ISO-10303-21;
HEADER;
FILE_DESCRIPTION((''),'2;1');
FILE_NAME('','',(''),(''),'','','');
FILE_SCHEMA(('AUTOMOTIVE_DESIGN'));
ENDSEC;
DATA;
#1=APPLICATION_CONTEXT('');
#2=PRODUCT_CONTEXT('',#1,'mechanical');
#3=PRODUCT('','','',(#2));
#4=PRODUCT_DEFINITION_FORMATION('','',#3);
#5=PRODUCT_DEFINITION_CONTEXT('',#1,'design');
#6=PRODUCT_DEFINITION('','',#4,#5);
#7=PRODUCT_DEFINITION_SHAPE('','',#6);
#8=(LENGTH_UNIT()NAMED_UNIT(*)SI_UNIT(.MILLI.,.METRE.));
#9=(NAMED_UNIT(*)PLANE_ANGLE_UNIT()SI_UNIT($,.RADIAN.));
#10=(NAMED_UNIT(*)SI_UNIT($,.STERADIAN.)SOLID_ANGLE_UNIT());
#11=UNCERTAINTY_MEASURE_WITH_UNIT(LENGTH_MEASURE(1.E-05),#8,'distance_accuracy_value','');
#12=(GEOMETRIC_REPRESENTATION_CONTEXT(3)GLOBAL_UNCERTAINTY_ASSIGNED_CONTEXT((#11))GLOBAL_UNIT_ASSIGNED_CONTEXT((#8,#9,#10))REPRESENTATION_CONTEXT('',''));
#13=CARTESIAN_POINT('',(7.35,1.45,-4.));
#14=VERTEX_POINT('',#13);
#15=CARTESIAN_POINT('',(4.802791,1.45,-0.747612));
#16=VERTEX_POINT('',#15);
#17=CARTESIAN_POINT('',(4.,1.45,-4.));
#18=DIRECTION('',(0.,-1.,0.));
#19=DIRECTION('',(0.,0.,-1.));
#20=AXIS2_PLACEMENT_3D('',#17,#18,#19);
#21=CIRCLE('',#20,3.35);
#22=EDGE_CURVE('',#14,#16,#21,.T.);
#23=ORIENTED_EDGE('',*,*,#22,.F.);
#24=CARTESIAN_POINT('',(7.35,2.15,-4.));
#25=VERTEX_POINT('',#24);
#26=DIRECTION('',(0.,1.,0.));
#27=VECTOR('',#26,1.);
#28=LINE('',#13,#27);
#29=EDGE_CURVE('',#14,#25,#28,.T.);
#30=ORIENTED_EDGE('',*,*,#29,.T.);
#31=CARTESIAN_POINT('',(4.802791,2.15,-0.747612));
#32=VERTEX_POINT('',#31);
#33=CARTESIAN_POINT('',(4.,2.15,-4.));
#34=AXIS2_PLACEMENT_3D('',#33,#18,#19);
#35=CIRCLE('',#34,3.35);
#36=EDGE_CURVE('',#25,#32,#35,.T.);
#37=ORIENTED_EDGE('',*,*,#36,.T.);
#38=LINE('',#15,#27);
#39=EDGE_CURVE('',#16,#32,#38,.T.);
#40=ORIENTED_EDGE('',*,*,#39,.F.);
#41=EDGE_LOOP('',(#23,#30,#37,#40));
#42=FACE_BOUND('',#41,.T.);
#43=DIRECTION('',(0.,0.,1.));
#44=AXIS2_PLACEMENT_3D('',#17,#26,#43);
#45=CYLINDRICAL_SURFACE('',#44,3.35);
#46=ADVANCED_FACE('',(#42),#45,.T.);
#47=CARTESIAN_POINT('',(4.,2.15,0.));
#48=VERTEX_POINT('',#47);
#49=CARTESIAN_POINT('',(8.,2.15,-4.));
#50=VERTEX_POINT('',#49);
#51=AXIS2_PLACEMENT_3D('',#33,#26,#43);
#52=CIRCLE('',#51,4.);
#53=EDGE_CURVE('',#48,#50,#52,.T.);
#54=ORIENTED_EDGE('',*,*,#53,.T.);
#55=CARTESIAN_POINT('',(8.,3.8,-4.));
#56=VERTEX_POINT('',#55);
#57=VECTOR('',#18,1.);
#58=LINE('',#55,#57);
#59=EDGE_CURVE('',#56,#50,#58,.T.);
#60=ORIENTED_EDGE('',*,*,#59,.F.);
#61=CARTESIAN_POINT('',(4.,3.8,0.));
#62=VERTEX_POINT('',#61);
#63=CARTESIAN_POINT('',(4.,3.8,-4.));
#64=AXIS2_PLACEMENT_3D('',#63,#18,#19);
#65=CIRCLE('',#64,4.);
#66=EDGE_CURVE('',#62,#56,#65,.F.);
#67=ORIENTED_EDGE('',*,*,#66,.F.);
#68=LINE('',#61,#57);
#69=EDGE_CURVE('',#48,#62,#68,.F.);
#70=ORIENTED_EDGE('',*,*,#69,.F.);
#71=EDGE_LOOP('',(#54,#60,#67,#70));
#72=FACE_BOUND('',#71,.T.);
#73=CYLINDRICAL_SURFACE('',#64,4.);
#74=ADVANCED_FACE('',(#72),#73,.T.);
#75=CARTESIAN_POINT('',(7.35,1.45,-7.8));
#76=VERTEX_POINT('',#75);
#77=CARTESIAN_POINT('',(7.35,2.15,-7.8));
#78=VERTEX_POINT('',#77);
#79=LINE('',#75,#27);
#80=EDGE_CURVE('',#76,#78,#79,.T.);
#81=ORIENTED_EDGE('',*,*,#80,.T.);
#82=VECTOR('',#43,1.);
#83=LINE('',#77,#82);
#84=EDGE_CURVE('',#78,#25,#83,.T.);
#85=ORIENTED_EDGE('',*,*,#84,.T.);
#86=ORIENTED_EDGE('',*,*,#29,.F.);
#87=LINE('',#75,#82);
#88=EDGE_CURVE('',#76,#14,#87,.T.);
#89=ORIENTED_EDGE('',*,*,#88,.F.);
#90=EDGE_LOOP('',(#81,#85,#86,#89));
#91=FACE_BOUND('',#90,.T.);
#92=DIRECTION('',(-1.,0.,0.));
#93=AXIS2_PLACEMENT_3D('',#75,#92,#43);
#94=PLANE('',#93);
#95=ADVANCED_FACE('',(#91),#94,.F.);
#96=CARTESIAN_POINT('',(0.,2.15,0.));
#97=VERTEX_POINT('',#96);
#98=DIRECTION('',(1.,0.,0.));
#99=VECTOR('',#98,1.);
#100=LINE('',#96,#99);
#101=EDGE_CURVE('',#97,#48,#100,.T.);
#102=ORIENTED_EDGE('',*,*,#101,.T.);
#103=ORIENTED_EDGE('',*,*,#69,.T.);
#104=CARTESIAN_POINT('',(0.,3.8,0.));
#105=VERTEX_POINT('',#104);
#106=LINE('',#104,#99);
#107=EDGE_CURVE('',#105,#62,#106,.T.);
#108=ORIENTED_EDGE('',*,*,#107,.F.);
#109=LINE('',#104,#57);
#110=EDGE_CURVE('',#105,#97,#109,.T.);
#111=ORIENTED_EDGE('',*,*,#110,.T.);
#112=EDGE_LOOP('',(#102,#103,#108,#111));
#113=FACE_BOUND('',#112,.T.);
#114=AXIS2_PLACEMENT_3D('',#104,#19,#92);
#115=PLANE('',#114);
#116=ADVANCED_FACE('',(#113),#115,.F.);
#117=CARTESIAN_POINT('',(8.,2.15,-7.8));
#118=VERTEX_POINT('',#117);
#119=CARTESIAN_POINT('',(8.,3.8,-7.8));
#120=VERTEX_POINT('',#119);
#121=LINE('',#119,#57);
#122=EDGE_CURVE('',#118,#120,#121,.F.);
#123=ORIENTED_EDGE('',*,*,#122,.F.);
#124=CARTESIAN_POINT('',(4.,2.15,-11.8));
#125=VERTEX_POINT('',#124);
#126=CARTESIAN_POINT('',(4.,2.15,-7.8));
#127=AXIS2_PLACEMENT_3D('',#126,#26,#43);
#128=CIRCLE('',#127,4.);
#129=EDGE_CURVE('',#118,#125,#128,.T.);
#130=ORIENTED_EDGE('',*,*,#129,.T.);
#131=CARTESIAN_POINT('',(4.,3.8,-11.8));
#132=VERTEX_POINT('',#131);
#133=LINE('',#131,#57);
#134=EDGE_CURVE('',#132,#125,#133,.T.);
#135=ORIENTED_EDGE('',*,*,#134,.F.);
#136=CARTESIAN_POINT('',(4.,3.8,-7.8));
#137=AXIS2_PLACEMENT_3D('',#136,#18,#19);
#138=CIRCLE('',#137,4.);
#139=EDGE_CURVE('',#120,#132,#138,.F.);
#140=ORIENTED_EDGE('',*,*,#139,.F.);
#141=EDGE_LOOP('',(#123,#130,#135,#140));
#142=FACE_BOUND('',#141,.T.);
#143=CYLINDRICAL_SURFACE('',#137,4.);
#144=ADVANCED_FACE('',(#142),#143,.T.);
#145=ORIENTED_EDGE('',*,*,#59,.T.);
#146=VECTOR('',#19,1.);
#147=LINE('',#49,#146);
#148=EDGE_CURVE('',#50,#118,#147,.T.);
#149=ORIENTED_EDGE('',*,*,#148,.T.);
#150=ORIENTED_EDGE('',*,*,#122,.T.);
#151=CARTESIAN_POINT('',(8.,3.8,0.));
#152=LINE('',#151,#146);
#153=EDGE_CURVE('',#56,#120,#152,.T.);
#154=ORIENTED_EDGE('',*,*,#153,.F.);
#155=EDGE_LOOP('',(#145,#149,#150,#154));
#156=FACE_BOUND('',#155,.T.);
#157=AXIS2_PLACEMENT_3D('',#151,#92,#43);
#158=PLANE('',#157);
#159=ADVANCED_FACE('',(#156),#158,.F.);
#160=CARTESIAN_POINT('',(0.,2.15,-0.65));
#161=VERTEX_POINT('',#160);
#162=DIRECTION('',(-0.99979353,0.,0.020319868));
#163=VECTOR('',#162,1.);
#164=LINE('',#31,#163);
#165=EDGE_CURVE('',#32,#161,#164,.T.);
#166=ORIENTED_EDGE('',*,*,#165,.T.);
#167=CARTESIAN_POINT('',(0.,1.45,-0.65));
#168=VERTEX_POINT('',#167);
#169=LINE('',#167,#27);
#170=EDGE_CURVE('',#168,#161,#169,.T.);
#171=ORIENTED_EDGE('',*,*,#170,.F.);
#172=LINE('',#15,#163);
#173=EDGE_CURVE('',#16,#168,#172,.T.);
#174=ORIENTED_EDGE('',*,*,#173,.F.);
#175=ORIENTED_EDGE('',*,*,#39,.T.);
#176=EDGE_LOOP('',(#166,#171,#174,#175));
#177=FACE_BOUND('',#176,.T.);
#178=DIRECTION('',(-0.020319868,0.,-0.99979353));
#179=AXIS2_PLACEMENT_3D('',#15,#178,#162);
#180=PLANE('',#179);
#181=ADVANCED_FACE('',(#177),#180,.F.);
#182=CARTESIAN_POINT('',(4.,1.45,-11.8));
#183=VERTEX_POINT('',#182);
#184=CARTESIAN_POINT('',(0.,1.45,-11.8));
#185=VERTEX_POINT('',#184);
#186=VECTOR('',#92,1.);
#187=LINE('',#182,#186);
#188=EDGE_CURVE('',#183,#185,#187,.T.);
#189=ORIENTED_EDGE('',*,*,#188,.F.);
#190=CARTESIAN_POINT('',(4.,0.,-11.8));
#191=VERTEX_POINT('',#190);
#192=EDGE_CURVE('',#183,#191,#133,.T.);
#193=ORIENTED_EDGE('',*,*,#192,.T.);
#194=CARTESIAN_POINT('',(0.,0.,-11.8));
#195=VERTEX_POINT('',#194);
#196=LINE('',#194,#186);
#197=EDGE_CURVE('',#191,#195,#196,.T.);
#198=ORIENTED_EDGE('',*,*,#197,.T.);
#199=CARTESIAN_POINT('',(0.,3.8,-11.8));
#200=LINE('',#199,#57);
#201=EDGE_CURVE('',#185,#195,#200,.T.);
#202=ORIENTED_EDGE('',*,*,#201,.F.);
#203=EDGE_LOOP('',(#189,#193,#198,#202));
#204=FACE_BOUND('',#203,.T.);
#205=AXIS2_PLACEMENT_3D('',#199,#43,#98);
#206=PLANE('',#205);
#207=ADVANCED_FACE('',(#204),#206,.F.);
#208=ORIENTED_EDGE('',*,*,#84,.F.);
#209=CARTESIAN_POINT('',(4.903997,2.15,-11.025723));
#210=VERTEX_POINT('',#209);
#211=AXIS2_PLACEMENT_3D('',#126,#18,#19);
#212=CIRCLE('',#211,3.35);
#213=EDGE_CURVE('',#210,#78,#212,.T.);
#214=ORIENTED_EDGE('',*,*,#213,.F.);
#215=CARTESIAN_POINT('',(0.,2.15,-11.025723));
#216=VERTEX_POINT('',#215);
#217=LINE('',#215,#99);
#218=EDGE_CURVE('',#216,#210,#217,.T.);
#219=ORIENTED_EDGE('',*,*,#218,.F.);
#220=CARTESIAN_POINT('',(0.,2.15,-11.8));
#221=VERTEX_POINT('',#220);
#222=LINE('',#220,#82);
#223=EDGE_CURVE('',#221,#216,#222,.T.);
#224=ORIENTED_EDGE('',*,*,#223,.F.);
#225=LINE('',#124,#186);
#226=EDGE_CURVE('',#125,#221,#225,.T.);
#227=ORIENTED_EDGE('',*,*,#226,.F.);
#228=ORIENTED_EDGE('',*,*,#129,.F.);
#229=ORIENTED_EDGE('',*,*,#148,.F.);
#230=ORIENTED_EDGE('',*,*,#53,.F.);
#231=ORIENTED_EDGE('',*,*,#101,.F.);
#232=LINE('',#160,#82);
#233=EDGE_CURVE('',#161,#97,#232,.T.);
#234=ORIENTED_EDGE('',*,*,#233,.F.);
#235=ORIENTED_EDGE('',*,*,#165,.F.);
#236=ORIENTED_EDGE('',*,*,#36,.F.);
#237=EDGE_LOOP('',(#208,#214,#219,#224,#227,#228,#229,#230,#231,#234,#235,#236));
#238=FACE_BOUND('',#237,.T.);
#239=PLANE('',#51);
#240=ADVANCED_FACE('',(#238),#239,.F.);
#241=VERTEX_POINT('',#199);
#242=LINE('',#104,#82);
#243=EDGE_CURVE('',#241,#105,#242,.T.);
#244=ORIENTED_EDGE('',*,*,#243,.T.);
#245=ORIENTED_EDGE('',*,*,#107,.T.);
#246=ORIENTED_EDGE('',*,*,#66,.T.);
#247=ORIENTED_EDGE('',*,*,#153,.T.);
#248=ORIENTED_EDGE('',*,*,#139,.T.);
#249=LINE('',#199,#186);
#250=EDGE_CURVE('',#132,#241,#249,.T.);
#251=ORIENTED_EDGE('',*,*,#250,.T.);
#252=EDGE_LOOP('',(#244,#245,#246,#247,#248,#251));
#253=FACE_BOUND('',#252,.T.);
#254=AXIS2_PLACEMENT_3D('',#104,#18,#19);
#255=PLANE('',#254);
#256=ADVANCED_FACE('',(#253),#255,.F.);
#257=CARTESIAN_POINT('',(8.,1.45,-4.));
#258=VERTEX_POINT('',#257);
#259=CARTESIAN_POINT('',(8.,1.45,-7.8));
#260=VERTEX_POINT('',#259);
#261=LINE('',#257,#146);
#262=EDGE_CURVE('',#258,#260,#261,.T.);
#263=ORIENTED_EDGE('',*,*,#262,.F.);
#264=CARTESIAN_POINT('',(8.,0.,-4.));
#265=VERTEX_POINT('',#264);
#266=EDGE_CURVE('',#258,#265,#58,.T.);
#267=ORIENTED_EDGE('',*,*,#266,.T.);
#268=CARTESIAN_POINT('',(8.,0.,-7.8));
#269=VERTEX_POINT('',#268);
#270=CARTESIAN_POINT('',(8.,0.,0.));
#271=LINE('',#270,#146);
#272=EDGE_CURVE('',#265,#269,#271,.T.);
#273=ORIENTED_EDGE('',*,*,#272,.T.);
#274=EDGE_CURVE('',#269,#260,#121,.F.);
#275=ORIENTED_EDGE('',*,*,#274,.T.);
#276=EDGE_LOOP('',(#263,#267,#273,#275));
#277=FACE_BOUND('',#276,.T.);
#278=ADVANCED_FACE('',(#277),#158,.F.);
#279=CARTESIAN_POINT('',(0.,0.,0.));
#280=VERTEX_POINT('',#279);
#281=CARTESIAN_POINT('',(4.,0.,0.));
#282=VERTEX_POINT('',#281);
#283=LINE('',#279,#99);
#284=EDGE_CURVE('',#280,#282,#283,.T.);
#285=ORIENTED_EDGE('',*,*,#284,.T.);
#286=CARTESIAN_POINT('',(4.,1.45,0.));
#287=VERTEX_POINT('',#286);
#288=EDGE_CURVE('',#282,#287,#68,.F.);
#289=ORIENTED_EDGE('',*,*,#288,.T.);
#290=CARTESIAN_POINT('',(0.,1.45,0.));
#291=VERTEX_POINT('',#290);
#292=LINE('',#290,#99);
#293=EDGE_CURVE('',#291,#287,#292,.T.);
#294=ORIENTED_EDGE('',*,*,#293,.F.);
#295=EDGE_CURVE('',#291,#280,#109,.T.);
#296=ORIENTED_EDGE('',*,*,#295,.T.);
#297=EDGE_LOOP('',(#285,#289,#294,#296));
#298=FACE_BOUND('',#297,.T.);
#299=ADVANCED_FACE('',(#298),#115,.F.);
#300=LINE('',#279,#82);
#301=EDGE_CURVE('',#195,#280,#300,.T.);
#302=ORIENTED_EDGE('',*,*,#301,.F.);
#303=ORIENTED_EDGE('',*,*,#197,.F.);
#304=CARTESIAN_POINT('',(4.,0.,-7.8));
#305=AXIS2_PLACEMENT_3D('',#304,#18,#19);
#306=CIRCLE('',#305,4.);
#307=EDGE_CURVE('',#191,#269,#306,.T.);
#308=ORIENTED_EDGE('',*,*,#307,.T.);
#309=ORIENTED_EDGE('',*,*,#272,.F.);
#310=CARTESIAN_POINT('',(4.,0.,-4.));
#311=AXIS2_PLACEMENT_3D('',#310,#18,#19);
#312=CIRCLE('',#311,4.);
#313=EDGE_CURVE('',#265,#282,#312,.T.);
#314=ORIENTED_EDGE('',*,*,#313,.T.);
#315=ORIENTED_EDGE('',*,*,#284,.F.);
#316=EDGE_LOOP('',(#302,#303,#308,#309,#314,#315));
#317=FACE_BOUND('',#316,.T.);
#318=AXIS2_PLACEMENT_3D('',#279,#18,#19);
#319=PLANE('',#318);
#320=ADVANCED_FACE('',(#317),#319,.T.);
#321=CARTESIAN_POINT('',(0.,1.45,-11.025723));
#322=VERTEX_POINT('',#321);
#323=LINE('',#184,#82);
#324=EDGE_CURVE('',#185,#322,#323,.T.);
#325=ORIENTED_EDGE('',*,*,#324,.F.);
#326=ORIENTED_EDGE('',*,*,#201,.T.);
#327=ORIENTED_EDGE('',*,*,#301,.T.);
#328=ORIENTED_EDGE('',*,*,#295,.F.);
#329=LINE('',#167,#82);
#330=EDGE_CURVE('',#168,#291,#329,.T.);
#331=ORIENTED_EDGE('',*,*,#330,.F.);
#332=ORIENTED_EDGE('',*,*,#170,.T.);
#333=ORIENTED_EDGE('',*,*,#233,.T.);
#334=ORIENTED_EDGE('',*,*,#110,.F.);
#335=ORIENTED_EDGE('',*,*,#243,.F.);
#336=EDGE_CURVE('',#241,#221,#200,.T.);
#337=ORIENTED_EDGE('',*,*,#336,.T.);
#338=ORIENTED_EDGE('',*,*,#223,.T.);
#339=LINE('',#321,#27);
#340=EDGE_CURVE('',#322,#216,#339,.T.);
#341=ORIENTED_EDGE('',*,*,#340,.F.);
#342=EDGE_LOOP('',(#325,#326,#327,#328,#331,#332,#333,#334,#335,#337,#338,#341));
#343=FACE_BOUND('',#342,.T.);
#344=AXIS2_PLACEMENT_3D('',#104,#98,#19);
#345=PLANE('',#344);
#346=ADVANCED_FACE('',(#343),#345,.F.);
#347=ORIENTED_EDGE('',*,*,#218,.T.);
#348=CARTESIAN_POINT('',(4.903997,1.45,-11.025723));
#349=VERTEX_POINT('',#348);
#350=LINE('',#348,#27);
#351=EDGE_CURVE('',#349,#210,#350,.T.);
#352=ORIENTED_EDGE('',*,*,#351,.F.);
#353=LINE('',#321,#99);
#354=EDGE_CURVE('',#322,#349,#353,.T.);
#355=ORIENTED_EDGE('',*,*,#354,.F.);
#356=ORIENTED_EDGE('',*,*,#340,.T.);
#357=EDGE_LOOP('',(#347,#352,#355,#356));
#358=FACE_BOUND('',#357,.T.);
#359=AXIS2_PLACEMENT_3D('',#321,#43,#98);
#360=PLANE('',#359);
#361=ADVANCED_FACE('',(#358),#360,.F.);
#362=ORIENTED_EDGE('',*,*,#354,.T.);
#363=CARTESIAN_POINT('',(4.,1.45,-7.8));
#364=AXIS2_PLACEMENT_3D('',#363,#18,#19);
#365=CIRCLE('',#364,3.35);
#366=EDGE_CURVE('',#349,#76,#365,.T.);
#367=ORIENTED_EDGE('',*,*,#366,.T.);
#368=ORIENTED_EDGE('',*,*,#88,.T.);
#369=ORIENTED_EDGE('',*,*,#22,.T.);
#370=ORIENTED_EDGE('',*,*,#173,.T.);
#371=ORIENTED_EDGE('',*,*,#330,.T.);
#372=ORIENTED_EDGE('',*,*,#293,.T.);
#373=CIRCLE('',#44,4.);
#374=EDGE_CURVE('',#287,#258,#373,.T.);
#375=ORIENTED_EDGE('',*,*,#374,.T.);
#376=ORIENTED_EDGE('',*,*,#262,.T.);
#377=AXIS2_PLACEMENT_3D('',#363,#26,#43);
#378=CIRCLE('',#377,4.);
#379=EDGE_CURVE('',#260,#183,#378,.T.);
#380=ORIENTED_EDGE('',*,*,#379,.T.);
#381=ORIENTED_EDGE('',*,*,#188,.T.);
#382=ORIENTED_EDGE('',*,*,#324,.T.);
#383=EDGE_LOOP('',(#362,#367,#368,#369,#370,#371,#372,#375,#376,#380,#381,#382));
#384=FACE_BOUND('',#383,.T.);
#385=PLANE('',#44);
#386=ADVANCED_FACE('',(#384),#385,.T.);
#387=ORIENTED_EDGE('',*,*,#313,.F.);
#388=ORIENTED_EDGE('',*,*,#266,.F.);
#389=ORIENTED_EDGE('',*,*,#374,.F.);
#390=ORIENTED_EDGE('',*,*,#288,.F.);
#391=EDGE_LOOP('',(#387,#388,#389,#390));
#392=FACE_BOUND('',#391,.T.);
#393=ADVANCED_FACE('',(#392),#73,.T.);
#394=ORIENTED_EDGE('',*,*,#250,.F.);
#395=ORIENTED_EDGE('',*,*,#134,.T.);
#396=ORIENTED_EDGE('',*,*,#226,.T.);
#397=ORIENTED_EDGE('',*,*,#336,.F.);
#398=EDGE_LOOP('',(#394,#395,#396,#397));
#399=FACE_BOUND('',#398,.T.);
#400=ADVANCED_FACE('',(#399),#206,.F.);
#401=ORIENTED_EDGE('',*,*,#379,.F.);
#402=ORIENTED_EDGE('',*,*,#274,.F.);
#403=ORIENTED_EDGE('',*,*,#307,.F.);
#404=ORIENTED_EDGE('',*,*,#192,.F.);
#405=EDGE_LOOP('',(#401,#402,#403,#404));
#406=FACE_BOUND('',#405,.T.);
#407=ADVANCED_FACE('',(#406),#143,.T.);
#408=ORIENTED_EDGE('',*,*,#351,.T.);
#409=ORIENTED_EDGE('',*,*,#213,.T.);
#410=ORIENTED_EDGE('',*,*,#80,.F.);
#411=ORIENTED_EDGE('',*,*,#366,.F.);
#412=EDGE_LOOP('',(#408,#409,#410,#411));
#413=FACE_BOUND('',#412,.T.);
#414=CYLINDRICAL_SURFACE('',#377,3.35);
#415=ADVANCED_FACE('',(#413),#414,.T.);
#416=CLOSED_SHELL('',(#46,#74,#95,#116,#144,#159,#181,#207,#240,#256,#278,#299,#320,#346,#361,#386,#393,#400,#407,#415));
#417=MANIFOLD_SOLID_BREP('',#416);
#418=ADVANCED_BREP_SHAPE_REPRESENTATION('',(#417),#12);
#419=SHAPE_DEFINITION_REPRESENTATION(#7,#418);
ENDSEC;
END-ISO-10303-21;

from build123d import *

# Parameters (mm, degrees)
SKETCH_1_W          = 8
SKETCH_1_H          = 11.8
EXTRUDE_1_DEPTH     = 3.8
FILLET_1_R          = 4
CUT_EXTRUDE_1_DEPTH = 0.35


with BuildPart() as part:
    # 草圖1 → 填料-伸長1 (new body)
    with BuildSketch(Plane(origin=(0, 0, 0), x_dir=(1, 0, 0), z_dir=(0, 1, 0))):
        with Locations((4, 5.9)):
            Rectangle(SKETCH_1_W, SKETCH_1_H)
    extrude(amount=EXTRUDE_1_DEPTH)

    # 圓角1
    fillet_1_edges = [part.edges().sort_by_distance(p)[0] for p in [
        (8, 1.9, -11.8),
        (8, 1.9, 0),
    ]]
    fillet(fillet_1_edges, radius=FILLET_1_R)

    # 草圖2 → 除料-伸長1 (cut, symmetric)
    with BuildSketch(Plane(origin=(0, 1.8, 0), x_dir=(1, 0, 0), z_dir=(0, 1, 0))):
        with BuildLine():
            Line((0, 11.8), (0, 11.025723127))
            Line((0, 11.025723127), (4.903996853, 11.025723127))
            ThreePointArc((4.903996853, 11.025723127), (6.669352867, 9.824118394), (7.35, 7.8))
            Line((7.35, 7.8), (7.35, 4))
            ThreePointArc((7.35, 4), (6.637408845, 1.934431172), (4.802791293, 0.74761224))
            Line((4.802791293, 0.74761224), (0, 0.65))
            Line((0, 0.65), (0, 0))
            Line((0, 0), (4, 0))
            ThreePointArc((4, 0), (6.828427125, 1.171572875), (8, 4))
            Line((8, 4), (8, 7.8))
            ThreePointArc((8, 7.8), (6.828427125, 10.628427125), (4, 11.8))
            Line((4, 11.8), (0, 11.8))
        make_face()
    extrude(amount=CUT_EXTRUDE_1_DEPTH, both=True, mode=Mode.SUBTRACT)


solid = part.part
